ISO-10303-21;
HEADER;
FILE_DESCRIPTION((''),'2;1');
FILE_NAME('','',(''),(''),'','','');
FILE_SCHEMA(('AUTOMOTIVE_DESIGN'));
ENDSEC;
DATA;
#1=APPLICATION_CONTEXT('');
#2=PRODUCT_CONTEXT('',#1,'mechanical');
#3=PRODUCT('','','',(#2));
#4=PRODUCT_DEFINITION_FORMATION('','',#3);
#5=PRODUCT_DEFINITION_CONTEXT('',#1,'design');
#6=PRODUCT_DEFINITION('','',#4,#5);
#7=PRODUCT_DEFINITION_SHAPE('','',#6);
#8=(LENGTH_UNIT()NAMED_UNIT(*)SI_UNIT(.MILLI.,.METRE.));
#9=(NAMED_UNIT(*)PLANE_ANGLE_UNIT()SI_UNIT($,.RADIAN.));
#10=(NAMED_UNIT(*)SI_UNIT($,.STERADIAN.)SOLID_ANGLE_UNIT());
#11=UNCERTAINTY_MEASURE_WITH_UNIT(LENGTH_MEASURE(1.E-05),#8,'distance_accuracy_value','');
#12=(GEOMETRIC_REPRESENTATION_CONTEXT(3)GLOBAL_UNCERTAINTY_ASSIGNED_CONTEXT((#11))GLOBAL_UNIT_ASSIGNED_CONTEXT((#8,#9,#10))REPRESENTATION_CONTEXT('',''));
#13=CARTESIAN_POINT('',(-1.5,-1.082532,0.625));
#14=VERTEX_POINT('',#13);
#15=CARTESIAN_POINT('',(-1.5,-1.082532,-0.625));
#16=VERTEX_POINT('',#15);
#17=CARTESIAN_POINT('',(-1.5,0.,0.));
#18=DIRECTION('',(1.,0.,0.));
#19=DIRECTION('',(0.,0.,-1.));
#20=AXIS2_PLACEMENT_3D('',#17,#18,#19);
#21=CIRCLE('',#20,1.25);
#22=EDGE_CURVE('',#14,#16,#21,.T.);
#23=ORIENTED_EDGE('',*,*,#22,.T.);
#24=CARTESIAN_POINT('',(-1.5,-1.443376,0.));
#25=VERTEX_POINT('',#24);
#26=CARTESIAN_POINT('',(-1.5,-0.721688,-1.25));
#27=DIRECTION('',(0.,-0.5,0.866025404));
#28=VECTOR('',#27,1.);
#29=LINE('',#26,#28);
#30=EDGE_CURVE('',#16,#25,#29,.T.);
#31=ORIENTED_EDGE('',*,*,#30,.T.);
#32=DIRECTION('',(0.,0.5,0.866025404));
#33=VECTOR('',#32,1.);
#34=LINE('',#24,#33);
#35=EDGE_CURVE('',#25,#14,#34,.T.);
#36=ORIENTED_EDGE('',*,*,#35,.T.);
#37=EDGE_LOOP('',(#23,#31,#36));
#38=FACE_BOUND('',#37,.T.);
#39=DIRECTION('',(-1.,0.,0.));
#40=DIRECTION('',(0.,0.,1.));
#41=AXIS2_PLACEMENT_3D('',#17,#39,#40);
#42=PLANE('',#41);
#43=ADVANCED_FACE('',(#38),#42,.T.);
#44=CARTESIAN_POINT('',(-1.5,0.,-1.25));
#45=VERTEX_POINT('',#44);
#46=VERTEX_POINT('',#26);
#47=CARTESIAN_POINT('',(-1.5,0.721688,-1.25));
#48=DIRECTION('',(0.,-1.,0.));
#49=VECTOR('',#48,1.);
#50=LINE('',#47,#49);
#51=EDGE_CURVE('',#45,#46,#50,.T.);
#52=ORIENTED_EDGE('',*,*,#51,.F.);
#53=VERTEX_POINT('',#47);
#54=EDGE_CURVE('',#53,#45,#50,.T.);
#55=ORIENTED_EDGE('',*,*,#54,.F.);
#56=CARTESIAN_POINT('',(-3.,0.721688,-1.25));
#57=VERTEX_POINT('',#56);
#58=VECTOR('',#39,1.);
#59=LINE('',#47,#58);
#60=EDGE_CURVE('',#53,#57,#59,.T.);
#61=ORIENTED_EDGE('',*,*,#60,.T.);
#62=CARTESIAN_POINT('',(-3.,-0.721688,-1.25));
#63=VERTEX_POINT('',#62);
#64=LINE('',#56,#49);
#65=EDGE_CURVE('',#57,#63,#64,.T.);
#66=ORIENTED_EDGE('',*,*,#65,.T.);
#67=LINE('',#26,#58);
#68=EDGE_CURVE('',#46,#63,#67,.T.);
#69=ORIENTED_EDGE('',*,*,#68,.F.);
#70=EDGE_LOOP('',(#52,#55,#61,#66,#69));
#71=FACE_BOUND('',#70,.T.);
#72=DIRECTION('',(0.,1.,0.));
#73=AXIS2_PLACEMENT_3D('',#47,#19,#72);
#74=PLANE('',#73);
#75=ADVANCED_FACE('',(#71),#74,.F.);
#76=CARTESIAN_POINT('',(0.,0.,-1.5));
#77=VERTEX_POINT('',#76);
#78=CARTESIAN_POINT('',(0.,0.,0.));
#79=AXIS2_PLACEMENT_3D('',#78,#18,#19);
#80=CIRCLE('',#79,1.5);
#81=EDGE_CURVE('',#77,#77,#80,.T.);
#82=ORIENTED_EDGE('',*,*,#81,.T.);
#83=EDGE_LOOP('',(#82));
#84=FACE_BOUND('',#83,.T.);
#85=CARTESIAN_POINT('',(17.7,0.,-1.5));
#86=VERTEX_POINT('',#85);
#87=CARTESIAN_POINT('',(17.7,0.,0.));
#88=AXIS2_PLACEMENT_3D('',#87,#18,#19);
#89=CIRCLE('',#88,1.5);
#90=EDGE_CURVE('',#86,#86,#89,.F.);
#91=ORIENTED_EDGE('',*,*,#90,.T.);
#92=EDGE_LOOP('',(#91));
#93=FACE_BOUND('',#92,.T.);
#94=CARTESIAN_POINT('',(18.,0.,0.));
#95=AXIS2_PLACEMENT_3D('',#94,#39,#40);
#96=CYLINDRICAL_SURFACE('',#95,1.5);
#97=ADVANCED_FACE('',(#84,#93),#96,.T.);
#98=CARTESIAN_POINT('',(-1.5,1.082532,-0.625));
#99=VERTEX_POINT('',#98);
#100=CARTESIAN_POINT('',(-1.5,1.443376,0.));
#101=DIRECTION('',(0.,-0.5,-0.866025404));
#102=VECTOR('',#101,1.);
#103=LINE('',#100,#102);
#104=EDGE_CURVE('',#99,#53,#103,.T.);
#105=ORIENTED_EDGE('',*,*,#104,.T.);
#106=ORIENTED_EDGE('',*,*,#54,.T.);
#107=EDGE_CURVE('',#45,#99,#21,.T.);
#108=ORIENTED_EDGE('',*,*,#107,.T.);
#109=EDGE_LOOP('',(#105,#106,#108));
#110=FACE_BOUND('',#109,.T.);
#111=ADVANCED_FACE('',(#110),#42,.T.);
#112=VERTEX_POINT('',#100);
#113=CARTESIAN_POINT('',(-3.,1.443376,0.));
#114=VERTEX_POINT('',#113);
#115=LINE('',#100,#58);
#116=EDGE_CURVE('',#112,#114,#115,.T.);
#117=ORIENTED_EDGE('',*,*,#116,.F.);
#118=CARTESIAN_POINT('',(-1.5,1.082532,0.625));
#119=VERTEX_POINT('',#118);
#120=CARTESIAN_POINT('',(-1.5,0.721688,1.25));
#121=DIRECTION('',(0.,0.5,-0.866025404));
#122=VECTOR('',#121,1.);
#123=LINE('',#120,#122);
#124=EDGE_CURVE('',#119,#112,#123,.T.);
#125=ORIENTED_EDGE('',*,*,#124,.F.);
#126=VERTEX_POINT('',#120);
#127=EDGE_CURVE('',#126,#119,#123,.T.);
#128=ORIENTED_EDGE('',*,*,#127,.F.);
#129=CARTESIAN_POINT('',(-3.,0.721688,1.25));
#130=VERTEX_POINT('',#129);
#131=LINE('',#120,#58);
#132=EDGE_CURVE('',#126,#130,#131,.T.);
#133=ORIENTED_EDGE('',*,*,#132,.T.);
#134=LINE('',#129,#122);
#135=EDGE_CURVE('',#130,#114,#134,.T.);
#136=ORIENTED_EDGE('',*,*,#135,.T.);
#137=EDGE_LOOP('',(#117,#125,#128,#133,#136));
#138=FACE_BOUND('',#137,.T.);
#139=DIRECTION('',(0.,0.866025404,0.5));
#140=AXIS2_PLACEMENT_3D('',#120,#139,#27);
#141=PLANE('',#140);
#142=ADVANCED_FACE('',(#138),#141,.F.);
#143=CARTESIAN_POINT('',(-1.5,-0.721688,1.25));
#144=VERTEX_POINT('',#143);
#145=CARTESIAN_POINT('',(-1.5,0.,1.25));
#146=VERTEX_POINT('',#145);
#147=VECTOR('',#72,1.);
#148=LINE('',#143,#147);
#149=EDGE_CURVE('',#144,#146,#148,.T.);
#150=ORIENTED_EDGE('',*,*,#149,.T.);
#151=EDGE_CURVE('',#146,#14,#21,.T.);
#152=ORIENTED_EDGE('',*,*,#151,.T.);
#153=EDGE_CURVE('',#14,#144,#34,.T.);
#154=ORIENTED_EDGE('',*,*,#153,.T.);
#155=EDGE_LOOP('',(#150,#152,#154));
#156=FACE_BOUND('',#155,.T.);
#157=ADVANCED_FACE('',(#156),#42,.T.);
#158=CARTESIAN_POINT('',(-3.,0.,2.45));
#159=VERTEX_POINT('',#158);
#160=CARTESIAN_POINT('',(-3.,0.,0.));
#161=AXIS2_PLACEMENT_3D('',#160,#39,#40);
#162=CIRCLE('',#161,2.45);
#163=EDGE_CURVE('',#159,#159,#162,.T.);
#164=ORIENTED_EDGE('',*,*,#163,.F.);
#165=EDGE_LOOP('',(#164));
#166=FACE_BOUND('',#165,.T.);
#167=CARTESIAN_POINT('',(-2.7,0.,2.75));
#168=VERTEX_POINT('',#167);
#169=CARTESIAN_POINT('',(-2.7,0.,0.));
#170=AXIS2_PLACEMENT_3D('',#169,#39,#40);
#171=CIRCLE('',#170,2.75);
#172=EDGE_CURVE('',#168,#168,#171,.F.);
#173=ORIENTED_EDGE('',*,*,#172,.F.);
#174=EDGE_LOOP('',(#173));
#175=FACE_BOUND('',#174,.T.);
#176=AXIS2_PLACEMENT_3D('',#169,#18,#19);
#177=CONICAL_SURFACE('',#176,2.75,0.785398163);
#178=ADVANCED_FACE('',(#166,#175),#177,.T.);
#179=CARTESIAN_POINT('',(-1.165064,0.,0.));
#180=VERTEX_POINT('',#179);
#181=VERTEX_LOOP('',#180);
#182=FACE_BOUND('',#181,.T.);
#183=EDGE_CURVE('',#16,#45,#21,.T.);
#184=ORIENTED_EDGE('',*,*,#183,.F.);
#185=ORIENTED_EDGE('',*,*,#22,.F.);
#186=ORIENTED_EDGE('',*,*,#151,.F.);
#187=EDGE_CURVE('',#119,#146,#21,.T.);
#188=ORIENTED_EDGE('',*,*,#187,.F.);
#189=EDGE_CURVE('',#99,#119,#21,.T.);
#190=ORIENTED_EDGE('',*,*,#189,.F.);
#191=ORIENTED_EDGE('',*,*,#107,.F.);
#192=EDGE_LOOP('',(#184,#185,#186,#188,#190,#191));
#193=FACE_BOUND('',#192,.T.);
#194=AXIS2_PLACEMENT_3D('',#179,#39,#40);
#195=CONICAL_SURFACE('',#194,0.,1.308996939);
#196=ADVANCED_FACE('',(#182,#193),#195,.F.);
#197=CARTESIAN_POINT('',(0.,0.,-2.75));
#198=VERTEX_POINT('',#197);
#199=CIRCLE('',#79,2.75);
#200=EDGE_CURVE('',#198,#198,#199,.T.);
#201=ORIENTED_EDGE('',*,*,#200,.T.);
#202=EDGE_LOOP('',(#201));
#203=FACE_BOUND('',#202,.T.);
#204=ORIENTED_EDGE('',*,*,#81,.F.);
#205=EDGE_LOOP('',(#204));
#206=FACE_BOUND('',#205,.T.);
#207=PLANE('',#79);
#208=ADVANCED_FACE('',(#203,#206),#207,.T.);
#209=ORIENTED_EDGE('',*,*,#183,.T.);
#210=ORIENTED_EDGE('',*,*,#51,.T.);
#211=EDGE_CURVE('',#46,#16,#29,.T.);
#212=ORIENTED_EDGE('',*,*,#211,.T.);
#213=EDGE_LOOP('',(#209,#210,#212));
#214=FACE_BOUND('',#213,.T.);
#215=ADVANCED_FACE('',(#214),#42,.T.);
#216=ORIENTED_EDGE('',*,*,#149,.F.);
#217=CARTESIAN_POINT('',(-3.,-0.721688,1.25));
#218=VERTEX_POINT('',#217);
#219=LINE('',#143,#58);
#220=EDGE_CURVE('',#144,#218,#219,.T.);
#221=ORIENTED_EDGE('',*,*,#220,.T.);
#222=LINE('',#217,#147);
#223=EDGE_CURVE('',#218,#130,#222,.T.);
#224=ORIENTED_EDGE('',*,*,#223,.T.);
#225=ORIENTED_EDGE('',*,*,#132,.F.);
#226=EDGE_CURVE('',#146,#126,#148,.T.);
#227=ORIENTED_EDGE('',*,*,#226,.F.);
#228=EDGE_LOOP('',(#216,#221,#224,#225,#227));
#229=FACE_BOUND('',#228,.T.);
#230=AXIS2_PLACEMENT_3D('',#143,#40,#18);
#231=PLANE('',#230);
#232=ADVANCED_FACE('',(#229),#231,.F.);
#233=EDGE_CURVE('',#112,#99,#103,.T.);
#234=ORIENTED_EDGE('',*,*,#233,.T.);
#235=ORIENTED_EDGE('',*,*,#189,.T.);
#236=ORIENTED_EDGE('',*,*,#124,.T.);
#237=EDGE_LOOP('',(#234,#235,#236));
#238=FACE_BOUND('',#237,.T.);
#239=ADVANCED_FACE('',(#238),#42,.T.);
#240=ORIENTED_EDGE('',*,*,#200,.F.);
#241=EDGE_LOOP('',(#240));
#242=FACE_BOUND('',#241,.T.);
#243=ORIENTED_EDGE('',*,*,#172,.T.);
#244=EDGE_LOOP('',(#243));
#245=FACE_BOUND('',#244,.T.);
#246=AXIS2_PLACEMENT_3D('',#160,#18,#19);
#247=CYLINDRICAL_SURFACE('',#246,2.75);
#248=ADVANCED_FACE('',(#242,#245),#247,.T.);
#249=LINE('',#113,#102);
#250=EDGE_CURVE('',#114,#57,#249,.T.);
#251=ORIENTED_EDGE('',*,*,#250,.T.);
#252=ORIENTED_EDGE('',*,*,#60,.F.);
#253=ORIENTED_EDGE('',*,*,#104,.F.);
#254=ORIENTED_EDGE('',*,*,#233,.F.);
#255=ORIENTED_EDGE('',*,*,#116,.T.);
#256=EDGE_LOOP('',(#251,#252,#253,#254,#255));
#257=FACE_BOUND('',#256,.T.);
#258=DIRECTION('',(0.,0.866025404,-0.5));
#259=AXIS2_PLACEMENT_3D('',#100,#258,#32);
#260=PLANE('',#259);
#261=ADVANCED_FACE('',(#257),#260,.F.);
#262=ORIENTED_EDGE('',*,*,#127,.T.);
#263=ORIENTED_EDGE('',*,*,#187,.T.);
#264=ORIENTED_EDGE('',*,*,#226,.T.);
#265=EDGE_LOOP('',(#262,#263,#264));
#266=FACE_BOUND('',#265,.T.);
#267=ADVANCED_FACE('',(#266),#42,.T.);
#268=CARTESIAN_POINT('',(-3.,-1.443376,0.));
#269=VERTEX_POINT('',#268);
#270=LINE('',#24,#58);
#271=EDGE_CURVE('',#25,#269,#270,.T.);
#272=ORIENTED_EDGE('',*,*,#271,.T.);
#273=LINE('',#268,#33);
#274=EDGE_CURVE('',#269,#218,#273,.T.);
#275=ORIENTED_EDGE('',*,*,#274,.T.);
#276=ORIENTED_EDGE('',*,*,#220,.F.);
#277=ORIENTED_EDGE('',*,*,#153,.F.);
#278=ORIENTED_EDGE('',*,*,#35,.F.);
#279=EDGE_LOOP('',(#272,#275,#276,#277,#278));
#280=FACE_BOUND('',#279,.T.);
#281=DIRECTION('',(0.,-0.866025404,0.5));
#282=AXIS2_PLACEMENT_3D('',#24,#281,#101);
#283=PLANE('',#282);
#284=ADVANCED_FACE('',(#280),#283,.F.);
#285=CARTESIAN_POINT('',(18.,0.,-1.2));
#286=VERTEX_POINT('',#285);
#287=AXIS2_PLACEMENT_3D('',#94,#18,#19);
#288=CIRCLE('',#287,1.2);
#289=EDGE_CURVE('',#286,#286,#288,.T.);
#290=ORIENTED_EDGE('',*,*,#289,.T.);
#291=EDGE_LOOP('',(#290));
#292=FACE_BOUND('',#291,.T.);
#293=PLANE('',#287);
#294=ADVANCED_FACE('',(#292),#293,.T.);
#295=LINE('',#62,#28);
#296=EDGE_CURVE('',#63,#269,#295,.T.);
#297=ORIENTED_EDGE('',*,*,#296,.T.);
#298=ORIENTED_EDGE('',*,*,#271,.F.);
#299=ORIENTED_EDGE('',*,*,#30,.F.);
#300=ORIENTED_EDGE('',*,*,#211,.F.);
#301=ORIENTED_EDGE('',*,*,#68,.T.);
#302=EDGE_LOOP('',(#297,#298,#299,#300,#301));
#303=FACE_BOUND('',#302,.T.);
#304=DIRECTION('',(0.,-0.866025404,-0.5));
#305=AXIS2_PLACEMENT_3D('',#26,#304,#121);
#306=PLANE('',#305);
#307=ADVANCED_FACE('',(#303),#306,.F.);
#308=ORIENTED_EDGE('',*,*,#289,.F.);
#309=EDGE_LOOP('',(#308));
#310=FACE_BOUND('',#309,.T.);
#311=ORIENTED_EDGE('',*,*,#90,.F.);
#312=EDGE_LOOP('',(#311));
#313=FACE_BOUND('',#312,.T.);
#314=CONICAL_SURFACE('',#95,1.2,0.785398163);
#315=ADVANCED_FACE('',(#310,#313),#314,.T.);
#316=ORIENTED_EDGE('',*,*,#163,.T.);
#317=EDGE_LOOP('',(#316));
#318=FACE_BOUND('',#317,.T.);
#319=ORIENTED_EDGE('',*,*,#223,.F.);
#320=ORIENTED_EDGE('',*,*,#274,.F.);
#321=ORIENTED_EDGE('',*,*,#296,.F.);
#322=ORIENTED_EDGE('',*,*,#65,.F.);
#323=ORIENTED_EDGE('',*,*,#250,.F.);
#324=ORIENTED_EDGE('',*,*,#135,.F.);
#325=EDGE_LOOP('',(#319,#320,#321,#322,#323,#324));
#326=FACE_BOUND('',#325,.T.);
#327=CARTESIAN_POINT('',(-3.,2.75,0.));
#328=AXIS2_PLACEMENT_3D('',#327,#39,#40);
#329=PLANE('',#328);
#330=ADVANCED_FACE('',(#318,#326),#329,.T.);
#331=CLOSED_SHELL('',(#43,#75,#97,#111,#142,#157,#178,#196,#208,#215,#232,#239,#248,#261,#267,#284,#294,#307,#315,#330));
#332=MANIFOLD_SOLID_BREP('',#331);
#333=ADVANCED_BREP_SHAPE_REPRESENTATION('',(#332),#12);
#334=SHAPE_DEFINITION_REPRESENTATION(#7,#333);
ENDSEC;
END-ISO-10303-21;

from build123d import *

# Parameters (mm, degrees)
SKETCH1_W           = 3
SKETCH1_H           = 2.75
SKETCH2_R           = 1.5
BOSS_EXTRUDE1_DEPTH = 18
CUT_EXTRUDE1_DEPTH  = 1.5
CHAMFER1_SIZE       = 0.3


with BuildPart() as part:
    # Sketch1 → Revolve1 (revolve)
    with BuildSketch(Plane.XY, mode=Mode.PRIVATE) as revolve1_sk:
        with Locations((-1.5, 1.375)):
            Rectangle(SKETCH1_W, SKETCH1_H)
    revolve(revolve1_sk.sketch.rotate(Axis((-3, 0, 0), (1, 0, 0)), 270), axis=Axis((-3, 0, 0), (1, 0, 0)))

    # Sketch2 → Boss-Extrude1 (add)
    with BuildSketch(Plane(origin=(0, 0, 0), x_dir=(0, 0, -1), z_dir=(1, 0, 0))):
        Circle(SKETCH2_R)
    extrude(amount=BOSS_EXTRUDE1_DEPTH)

    # Sketch3 → Cut-Extrude1 (cut)
    with BuildSketch(Plane.ZY.offset(3)):
        Polygon((1.25, -0.721687836), (1.25, 0.721687836), (0, 1.443375673), (-1.25, 0.721687836), (-1.25, -0.721687836), (0, -1.443375673), align=None)
    extrude(amount=-CUT_EXTRUDE1_DEPTH, mode=Mode.SUBTRACT)

    # Sketch4 → Cut-Revolve1 (revolve, cut)
    with BuildSketch(Plane.XY, mode=Mode.PRIVATE) as cut_revolve1_sk:
        Polygon((-1.5, 1.25), (-1.5, 0), (-1.165063509, 0), align=None)
    revolve(cut_revolve1_sk.sketch.rotate(Axis((-1.500025, 0, 0), (1, 0, 0)), 90), axis=Axis((-1.500025, 0, 0), (1, 0, 0)), mode=Mode.SUBTRACT)

    # Chamfer1
    chamfer1_edges = [part.edges().sort_by_distance(p)[0] for p in [
        (-3, 0, 2.75),
        (18, 0, 1.5),
    ]]
    chamfer(chamfer1_edges, length=CHAMFER1_SIZE)


solid = part.part
